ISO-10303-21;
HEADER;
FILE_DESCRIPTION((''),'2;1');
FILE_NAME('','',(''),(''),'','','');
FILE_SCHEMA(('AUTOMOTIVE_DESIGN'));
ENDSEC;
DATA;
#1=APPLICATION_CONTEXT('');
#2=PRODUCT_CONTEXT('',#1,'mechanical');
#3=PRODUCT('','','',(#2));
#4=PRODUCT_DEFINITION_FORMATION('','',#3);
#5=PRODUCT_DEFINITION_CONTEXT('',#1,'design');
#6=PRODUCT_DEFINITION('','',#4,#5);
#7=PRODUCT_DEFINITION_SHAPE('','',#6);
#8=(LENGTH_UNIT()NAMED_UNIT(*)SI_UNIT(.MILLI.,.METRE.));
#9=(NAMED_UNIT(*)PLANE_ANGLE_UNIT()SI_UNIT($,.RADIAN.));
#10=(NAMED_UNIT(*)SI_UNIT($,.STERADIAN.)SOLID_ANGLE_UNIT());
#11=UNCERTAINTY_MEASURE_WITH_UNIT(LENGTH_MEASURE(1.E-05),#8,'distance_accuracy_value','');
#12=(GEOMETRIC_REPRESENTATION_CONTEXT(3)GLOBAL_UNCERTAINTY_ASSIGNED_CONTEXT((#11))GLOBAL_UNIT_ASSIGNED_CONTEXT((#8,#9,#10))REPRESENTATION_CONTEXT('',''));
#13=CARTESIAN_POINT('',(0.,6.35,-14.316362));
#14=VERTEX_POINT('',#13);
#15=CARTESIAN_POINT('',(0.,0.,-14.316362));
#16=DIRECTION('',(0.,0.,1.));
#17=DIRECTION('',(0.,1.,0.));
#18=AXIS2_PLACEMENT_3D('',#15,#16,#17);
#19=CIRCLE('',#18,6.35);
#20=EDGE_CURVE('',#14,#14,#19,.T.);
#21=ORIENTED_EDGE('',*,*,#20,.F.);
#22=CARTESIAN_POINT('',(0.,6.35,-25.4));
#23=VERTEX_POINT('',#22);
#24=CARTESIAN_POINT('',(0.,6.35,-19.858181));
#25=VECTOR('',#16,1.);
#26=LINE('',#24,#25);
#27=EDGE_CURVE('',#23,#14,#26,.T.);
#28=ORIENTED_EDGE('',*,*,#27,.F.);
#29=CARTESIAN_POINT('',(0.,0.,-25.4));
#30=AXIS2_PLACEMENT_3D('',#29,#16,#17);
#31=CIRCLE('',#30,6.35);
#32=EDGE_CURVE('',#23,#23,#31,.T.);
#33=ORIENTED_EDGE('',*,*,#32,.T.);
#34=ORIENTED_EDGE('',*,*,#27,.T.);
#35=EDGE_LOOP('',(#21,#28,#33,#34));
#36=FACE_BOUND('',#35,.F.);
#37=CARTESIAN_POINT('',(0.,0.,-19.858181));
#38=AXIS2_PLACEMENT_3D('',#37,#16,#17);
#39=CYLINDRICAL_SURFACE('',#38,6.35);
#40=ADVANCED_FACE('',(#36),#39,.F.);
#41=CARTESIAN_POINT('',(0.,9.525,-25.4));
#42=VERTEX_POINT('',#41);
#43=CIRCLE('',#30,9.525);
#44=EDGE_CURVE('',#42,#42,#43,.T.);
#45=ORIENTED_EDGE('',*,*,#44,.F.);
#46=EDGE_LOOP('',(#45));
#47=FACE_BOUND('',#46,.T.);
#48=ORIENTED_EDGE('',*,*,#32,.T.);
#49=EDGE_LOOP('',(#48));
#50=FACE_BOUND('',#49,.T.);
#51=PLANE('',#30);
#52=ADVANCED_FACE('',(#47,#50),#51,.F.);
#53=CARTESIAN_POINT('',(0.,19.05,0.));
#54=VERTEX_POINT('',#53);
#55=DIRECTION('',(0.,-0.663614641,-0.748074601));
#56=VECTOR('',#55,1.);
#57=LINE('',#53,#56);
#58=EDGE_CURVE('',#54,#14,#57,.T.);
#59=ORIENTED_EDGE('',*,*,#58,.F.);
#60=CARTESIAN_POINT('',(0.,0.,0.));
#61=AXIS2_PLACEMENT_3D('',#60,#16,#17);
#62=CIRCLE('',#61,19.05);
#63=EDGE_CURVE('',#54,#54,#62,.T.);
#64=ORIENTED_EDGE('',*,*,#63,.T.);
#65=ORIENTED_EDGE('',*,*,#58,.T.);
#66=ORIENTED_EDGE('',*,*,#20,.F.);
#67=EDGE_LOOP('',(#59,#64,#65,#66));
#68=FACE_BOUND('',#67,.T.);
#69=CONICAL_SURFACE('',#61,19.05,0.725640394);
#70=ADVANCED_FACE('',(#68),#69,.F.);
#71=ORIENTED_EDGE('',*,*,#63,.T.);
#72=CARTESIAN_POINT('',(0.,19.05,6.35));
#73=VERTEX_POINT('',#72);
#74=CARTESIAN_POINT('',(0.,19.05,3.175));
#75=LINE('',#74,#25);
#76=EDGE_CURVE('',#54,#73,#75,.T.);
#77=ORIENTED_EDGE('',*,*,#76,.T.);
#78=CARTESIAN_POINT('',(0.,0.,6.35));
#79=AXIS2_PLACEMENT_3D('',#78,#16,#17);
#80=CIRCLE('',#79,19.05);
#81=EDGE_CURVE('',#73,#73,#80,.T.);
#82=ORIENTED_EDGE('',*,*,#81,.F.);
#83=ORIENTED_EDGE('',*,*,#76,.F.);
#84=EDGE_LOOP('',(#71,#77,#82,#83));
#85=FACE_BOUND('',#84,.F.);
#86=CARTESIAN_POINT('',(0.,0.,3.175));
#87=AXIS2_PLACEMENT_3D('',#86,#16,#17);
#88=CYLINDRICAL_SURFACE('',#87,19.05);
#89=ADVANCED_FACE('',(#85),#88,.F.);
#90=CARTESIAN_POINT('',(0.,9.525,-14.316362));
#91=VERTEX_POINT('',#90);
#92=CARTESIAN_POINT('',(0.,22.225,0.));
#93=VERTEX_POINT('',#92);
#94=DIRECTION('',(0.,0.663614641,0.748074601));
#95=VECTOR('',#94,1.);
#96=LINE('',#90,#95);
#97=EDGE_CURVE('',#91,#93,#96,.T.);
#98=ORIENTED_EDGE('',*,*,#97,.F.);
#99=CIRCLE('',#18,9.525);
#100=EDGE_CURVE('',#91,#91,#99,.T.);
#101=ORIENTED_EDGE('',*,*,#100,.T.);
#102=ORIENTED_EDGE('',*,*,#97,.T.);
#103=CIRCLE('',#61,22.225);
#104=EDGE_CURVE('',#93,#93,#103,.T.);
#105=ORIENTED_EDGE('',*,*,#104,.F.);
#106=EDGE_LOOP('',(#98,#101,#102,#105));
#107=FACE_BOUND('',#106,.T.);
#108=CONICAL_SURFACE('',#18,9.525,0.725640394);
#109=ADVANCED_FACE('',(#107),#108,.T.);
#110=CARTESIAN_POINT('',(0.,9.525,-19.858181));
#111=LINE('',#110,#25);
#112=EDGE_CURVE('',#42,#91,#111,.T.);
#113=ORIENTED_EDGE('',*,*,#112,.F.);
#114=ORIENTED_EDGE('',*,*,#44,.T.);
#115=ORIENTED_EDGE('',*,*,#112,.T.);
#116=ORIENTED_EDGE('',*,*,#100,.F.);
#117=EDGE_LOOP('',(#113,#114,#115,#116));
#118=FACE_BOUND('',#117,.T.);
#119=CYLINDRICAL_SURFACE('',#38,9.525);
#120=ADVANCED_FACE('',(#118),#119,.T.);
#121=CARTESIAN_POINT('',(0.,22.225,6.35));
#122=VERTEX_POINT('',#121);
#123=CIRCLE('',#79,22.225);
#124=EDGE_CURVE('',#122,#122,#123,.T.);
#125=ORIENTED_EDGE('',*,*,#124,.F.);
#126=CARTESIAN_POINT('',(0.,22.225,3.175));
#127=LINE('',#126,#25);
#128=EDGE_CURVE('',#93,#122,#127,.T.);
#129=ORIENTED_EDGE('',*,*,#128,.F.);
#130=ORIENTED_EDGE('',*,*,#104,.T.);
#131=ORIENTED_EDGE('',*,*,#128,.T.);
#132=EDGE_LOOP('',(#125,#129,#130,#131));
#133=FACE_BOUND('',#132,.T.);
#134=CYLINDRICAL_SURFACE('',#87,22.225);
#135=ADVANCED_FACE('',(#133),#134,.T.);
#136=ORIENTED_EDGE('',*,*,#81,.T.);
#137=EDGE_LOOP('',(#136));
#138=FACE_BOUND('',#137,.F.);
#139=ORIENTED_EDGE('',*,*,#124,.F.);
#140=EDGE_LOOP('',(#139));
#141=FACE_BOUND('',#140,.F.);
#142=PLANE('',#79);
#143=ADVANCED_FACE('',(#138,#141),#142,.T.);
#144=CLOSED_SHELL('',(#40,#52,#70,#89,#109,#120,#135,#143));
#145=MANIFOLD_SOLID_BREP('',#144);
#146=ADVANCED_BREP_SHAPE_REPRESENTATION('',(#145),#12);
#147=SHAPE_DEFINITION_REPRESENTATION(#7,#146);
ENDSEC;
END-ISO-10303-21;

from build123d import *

# Parameters (mm, degrees)
F0_W     = 3.175
F0_H     = 6.35
F0_H_2   = 11.083638
F2_R     = 9.040902
F3_DEPTH = 9.525
F4_R     = 9.539088
F5_DEPTH = 25.4


with BuildPart() as f1:
    # F0 (on Right) → F1 (revolve)
    with BuildSketch(Plane.YZ):
        with Locations((20.6375, 3.175)):
            Rectangle(F0_W, F0_H)
        Polygon((9.525, -14.316362), (22.225, 0), (19.05, 0), (6.35, -14.316362), align=None)
        with Locations((7.9375, -19.858181)):
            Rectangle(F0_W, F0_H_2)
    revolve(axis=Axis((0, 0, -21.81005), (0, 0, 1)))


with BuildPart() as f3:
    # F2 (on Top) → F3 (new body)
    with BuildSketch(Plane.XY):
        Circle(F2_R)
    extrude(amount=F3_DEPTH)

    # F4 (on Top) → F5 (join)
    with BuildSketch(Plane.XY):
        Circle(F4_R)
    extrude(amount=F5_DEPTH)


solid = f1.part
